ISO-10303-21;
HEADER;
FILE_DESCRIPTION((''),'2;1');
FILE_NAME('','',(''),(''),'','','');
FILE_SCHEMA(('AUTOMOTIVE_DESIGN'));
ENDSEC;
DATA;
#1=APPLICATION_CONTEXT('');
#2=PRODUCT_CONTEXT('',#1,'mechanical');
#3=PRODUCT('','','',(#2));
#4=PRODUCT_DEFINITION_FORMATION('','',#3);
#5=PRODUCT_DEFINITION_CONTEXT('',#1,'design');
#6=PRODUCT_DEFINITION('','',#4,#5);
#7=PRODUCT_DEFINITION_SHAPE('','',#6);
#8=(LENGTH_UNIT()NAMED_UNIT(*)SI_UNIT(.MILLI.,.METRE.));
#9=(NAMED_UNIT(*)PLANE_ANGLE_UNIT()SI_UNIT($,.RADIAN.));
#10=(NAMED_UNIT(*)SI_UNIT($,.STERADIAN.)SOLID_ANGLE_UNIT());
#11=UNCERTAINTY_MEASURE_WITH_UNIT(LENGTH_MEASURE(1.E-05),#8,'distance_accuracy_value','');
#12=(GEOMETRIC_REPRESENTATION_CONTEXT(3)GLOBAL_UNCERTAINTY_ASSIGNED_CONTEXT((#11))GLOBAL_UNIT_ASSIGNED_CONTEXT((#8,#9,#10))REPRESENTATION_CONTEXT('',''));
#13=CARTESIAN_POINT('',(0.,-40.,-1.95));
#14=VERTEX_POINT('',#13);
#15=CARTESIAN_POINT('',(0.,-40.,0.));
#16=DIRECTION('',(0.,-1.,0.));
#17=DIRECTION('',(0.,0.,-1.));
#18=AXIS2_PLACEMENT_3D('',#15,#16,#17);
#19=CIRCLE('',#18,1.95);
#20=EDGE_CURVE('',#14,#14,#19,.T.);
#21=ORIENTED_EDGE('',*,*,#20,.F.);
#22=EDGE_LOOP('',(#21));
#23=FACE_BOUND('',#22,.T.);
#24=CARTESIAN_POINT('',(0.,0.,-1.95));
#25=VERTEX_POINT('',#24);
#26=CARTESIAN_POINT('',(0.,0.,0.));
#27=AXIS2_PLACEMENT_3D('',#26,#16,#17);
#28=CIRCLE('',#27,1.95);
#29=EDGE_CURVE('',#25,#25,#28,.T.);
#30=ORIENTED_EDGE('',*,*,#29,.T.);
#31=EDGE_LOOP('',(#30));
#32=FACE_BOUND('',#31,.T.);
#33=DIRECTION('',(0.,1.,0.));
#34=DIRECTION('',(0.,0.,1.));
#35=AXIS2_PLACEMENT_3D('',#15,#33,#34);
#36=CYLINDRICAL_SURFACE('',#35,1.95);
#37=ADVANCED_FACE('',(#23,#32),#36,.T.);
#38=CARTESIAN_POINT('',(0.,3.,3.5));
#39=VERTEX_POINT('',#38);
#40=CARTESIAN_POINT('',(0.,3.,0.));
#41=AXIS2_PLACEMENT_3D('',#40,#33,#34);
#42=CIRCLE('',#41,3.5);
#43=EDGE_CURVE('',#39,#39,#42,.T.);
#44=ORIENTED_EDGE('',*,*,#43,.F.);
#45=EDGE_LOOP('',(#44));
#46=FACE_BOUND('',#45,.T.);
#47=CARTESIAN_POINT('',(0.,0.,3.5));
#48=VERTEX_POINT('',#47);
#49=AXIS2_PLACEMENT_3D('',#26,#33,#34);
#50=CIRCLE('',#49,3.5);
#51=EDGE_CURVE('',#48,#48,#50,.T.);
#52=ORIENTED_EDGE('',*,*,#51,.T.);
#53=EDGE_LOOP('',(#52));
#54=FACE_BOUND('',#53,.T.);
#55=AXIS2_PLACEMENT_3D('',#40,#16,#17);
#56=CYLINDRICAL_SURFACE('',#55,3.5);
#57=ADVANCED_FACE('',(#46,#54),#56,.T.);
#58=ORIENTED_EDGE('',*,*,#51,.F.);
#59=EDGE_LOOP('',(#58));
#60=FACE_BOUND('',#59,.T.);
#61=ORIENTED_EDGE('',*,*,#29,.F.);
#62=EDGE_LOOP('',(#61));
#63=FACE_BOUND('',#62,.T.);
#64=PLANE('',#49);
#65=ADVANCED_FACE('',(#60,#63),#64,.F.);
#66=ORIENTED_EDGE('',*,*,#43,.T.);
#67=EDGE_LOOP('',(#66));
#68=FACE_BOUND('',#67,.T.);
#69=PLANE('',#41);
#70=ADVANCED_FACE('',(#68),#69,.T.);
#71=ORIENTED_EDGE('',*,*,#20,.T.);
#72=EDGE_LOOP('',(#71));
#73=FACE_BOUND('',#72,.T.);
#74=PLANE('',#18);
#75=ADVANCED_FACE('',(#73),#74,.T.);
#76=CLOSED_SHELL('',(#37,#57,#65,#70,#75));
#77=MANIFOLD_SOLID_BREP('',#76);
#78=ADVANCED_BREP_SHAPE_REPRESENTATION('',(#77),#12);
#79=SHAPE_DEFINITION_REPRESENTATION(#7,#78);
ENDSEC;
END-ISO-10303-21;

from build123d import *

# Parameters (mm, degrees)
SKETCH1_R           = 3.5
BOSS_EXTRUDE1_DEPTH = 3
SKETCH2_R           = 1.95
BOSS_EXTRUDE2_DEPTH = 40


with BuildPart() as part:
    # Sketch1 → Boss-Extrude1 (new body)
    with BuildSketch(Plane(origin=(0, 0, 0), x_dir=(1, 0, 0), z_dir=(0, 1, 0))):
        Circle(SKETCH1_R)
    extrude(amount=BOSS_EXTRUDE1_DEPTH)

    # Sketch2 → Boss-Extrude2 (add)
    with BuildSketch(Plane.XZ):
        Circle(SKETCH2_R)
    extrude(amount=BOSS_EXTRUDE2_DEPTH)


solid = part.part
